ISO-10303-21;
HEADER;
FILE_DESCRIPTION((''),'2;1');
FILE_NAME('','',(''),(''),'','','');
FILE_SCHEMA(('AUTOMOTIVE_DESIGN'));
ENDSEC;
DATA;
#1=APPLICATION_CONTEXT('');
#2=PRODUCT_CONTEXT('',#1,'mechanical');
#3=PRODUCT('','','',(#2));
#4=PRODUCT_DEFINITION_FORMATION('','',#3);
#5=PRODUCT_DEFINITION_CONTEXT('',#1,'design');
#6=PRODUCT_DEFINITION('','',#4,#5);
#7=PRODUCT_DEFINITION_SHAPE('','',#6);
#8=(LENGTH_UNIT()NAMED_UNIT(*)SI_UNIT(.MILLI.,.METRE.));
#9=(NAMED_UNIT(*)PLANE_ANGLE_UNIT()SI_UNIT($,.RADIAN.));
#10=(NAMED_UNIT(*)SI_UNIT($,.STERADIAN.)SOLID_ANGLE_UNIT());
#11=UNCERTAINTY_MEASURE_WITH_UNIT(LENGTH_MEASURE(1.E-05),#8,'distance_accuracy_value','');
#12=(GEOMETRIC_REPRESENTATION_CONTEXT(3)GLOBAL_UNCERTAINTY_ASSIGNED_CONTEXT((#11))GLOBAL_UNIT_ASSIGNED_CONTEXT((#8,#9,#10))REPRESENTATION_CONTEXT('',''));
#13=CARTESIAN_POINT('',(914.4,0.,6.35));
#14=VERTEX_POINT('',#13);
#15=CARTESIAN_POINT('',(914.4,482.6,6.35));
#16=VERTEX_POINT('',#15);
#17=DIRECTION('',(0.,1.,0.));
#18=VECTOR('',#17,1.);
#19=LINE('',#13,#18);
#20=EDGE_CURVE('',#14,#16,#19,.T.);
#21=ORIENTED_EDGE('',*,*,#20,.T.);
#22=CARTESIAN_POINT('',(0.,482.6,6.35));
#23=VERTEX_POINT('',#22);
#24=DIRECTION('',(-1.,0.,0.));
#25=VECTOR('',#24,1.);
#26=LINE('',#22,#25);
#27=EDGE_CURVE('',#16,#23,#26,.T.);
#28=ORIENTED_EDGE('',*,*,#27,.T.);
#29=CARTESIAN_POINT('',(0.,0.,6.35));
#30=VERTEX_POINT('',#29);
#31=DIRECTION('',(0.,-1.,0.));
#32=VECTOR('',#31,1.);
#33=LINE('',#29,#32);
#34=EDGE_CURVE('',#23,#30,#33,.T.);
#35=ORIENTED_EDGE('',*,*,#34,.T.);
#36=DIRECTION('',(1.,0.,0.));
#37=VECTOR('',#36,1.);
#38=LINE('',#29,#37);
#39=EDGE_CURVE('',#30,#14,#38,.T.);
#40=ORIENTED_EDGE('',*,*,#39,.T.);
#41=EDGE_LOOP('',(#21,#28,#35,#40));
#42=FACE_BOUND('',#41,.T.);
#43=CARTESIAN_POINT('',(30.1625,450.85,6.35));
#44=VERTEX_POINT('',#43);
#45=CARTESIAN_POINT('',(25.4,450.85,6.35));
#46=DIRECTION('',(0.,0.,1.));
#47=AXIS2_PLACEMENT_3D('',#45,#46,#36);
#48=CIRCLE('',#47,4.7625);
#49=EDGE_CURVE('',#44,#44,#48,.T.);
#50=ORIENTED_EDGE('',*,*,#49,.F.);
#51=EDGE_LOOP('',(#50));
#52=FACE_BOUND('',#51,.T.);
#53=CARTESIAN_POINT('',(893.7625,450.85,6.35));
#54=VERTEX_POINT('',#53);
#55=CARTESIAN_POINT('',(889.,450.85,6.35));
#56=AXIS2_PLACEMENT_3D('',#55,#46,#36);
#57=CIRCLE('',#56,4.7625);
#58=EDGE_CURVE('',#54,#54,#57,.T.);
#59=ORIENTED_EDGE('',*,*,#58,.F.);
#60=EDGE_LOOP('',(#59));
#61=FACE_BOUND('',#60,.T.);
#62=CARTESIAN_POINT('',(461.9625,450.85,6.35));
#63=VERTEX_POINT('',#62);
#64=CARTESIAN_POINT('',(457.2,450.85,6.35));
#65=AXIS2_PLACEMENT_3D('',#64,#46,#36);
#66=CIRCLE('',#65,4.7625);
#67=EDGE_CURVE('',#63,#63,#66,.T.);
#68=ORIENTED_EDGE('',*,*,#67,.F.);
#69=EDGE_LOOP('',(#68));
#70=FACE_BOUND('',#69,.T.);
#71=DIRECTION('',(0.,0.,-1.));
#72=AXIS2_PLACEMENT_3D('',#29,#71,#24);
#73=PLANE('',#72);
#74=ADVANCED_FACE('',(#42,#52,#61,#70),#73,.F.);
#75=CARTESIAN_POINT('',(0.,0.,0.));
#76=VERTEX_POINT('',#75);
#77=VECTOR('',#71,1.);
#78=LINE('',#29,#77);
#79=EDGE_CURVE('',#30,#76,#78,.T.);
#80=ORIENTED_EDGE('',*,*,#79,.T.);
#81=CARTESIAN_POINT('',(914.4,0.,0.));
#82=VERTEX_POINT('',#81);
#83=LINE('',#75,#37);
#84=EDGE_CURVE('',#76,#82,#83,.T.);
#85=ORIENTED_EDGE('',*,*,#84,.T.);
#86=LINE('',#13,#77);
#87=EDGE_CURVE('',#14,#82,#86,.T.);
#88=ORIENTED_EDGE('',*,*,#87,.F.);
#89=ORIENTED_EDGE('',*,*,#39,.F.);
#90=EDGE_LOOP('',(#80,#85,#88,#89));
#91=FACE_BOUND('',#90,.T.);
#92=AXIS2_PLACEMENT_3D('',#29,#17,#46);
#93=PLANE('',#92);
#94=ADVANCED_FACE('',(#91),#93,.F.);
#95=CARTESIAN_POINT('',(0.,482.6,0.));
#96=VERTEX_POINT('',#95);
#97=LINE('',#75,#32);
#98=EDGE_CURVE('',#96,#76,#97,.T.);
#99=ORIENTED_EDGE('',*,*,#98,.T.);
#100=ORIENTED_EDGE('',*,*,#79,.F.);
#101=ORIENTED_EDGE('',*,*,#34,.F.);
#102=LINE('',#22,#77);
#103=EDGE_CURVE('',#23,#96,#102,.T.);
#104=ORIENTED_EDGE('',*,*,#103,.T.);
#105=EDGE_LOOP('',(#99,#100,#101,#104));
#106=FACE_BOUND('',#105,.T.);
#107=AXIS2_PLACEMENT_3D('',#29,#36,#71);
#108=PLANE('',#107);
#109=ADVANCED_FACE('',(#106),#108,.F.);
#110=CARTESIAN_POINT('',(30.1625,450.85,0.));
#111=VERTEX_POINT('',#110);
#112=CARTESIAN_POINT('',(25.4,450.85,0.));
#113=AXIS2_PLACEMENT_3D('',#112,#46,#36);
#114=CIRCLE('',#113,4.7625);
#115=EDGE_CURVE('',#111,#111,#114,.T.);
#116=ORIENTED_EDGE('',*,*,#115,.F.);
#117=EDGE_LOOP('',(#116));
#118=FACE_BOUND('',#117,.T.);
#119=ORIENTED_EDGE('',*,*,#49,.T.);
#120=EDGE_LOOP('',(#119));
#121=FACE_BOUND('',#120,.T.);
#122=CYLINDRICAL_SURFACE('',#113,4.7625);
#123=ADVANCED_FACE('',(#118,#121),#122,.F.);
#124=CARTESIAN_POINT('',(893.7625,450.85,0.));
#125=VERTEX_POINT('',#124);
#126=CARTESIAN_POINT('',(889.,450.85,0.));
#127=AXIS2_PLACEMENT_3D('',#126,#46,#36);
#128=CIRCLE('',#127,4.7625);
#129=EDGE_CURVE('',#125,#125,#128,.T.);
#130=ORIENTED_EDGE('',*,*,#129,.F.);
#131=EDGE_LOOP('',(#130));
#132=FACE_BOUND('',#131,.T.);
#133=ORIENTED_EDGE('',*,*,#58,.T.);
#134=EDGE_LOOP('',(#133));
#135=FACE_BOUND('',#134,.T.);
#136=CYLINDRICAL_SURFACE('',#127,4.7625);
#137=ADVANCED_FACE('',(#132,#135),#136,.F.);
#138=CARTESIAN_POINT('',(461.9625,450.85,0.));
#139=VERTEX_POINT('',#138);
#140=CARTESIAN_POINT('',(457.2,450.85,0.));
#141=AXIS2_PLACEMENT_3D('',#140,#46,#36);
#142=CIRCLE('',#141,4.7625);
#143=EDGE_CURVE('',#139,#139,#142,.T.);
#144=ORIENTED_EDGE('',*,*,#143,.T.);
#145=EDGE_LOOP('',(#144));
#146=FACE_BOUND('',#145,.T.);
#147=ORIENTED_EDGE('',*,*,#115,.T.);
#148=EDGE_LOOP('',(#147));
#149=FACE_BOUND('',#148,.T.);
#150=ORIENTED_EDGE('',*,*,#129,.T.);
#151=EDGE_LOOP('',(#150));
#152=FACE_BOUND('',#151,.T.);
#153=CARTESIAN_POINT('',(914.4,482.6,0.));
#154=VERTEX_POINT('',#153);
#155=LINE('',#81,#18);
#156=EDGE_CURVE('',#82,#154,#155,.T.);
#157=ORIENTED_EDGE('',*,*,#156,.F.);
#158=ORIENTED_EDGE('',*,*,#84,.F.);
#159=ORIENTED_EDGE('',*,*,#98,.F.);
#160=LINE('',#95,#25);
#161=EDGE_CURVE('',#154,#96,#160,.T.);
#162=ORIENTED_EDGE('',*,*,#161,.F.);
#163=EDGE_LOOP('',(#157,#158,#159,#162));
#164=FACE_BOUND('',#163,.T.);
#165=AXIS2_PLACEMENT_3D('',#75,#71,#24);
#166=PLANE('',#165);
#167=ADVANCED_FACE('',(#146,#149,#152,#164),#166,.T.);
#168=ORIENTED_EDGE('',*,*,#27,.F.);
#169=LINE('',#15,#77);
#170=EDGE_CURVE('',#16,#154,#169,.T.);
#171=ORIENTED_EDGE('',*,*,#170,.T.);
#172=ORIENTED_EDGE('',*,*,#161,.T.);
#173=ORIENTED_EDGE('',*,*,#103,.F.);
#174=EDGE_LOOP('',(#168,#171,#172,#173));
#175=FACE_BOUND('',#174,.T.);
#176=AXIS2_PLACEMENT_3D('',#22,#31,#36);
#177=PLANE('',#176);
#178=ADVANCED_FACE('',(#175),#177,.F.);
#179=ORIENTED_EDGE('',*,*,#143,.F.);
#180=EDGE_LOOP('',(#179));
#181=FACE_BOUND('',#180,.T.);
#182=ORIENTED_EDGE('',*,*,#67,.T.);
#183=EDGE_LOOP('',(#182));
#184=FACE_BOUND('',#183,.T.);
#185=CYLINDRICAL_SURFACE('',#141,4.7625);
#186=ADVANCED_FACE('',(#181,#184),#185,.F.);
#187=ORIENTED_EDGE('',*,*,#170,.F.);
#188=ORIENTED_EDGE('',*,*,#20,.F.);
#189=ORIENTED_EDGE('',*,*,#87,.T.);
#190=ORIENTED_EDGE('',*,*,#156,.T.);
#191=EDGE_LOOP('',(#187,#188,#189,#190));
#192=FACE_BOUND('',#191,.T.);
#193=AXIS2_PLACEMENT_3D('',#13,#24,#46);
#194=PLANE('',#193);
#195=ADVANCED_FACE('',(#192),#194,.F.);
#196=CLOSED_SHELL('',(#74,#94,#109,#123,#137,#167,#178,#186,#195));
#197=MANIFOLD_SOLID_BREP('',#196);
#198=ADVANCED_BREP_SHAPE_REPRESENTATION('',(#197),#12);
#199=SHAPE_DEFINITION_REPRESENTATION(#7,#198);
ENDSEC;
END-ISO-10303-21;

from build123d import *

# Parameters (mm, degrees)
SKETCH1_W           = 914.4
SKETCH1_H           = 482.6
BOSS_EXTRUDE1_DEPTH = 6.35
SKETCH2_R           = 4.7625
CUT_EXTRUDE1_DEPTH  = 7.35
LPATTERN1_COUNT     = 3
LPATTERN1_PITCH     = 431.8


with BuildPart() as part:
    # Sketch1 → Boss-Extrude1 (new body)
    with BuildSketch(Plane.XY):
        with Locations((457.2, 241.3)):
            Rectangle(SKETCH1_W, SKETCH1_H)
    extrude(amount=BOSS_EXTRUDE1_DEPTH)

    # Sketch2 → Cut-Extrude1 (cut, through all)
    with BuildSketch(Plane.XY.offset(6.35)):
        with Locations((25.4, 450.85)):
            Circle(SKETCH2_R)
    cut_extrude1 = extrude(amount=-CUT_EXTRUDE1_DEPTH, mode=Mode.SUBTRACT)

    # LPattern1: Cut-Extrude1 ×3
    with Locations(*[(i * LPATTERN1_PITCH, 0, 0) for i in range(1, LPATTERN1_COUNT)]):
        add(cut_extrude1, mode=Mode.SUBTRACT)


solid = part.part
